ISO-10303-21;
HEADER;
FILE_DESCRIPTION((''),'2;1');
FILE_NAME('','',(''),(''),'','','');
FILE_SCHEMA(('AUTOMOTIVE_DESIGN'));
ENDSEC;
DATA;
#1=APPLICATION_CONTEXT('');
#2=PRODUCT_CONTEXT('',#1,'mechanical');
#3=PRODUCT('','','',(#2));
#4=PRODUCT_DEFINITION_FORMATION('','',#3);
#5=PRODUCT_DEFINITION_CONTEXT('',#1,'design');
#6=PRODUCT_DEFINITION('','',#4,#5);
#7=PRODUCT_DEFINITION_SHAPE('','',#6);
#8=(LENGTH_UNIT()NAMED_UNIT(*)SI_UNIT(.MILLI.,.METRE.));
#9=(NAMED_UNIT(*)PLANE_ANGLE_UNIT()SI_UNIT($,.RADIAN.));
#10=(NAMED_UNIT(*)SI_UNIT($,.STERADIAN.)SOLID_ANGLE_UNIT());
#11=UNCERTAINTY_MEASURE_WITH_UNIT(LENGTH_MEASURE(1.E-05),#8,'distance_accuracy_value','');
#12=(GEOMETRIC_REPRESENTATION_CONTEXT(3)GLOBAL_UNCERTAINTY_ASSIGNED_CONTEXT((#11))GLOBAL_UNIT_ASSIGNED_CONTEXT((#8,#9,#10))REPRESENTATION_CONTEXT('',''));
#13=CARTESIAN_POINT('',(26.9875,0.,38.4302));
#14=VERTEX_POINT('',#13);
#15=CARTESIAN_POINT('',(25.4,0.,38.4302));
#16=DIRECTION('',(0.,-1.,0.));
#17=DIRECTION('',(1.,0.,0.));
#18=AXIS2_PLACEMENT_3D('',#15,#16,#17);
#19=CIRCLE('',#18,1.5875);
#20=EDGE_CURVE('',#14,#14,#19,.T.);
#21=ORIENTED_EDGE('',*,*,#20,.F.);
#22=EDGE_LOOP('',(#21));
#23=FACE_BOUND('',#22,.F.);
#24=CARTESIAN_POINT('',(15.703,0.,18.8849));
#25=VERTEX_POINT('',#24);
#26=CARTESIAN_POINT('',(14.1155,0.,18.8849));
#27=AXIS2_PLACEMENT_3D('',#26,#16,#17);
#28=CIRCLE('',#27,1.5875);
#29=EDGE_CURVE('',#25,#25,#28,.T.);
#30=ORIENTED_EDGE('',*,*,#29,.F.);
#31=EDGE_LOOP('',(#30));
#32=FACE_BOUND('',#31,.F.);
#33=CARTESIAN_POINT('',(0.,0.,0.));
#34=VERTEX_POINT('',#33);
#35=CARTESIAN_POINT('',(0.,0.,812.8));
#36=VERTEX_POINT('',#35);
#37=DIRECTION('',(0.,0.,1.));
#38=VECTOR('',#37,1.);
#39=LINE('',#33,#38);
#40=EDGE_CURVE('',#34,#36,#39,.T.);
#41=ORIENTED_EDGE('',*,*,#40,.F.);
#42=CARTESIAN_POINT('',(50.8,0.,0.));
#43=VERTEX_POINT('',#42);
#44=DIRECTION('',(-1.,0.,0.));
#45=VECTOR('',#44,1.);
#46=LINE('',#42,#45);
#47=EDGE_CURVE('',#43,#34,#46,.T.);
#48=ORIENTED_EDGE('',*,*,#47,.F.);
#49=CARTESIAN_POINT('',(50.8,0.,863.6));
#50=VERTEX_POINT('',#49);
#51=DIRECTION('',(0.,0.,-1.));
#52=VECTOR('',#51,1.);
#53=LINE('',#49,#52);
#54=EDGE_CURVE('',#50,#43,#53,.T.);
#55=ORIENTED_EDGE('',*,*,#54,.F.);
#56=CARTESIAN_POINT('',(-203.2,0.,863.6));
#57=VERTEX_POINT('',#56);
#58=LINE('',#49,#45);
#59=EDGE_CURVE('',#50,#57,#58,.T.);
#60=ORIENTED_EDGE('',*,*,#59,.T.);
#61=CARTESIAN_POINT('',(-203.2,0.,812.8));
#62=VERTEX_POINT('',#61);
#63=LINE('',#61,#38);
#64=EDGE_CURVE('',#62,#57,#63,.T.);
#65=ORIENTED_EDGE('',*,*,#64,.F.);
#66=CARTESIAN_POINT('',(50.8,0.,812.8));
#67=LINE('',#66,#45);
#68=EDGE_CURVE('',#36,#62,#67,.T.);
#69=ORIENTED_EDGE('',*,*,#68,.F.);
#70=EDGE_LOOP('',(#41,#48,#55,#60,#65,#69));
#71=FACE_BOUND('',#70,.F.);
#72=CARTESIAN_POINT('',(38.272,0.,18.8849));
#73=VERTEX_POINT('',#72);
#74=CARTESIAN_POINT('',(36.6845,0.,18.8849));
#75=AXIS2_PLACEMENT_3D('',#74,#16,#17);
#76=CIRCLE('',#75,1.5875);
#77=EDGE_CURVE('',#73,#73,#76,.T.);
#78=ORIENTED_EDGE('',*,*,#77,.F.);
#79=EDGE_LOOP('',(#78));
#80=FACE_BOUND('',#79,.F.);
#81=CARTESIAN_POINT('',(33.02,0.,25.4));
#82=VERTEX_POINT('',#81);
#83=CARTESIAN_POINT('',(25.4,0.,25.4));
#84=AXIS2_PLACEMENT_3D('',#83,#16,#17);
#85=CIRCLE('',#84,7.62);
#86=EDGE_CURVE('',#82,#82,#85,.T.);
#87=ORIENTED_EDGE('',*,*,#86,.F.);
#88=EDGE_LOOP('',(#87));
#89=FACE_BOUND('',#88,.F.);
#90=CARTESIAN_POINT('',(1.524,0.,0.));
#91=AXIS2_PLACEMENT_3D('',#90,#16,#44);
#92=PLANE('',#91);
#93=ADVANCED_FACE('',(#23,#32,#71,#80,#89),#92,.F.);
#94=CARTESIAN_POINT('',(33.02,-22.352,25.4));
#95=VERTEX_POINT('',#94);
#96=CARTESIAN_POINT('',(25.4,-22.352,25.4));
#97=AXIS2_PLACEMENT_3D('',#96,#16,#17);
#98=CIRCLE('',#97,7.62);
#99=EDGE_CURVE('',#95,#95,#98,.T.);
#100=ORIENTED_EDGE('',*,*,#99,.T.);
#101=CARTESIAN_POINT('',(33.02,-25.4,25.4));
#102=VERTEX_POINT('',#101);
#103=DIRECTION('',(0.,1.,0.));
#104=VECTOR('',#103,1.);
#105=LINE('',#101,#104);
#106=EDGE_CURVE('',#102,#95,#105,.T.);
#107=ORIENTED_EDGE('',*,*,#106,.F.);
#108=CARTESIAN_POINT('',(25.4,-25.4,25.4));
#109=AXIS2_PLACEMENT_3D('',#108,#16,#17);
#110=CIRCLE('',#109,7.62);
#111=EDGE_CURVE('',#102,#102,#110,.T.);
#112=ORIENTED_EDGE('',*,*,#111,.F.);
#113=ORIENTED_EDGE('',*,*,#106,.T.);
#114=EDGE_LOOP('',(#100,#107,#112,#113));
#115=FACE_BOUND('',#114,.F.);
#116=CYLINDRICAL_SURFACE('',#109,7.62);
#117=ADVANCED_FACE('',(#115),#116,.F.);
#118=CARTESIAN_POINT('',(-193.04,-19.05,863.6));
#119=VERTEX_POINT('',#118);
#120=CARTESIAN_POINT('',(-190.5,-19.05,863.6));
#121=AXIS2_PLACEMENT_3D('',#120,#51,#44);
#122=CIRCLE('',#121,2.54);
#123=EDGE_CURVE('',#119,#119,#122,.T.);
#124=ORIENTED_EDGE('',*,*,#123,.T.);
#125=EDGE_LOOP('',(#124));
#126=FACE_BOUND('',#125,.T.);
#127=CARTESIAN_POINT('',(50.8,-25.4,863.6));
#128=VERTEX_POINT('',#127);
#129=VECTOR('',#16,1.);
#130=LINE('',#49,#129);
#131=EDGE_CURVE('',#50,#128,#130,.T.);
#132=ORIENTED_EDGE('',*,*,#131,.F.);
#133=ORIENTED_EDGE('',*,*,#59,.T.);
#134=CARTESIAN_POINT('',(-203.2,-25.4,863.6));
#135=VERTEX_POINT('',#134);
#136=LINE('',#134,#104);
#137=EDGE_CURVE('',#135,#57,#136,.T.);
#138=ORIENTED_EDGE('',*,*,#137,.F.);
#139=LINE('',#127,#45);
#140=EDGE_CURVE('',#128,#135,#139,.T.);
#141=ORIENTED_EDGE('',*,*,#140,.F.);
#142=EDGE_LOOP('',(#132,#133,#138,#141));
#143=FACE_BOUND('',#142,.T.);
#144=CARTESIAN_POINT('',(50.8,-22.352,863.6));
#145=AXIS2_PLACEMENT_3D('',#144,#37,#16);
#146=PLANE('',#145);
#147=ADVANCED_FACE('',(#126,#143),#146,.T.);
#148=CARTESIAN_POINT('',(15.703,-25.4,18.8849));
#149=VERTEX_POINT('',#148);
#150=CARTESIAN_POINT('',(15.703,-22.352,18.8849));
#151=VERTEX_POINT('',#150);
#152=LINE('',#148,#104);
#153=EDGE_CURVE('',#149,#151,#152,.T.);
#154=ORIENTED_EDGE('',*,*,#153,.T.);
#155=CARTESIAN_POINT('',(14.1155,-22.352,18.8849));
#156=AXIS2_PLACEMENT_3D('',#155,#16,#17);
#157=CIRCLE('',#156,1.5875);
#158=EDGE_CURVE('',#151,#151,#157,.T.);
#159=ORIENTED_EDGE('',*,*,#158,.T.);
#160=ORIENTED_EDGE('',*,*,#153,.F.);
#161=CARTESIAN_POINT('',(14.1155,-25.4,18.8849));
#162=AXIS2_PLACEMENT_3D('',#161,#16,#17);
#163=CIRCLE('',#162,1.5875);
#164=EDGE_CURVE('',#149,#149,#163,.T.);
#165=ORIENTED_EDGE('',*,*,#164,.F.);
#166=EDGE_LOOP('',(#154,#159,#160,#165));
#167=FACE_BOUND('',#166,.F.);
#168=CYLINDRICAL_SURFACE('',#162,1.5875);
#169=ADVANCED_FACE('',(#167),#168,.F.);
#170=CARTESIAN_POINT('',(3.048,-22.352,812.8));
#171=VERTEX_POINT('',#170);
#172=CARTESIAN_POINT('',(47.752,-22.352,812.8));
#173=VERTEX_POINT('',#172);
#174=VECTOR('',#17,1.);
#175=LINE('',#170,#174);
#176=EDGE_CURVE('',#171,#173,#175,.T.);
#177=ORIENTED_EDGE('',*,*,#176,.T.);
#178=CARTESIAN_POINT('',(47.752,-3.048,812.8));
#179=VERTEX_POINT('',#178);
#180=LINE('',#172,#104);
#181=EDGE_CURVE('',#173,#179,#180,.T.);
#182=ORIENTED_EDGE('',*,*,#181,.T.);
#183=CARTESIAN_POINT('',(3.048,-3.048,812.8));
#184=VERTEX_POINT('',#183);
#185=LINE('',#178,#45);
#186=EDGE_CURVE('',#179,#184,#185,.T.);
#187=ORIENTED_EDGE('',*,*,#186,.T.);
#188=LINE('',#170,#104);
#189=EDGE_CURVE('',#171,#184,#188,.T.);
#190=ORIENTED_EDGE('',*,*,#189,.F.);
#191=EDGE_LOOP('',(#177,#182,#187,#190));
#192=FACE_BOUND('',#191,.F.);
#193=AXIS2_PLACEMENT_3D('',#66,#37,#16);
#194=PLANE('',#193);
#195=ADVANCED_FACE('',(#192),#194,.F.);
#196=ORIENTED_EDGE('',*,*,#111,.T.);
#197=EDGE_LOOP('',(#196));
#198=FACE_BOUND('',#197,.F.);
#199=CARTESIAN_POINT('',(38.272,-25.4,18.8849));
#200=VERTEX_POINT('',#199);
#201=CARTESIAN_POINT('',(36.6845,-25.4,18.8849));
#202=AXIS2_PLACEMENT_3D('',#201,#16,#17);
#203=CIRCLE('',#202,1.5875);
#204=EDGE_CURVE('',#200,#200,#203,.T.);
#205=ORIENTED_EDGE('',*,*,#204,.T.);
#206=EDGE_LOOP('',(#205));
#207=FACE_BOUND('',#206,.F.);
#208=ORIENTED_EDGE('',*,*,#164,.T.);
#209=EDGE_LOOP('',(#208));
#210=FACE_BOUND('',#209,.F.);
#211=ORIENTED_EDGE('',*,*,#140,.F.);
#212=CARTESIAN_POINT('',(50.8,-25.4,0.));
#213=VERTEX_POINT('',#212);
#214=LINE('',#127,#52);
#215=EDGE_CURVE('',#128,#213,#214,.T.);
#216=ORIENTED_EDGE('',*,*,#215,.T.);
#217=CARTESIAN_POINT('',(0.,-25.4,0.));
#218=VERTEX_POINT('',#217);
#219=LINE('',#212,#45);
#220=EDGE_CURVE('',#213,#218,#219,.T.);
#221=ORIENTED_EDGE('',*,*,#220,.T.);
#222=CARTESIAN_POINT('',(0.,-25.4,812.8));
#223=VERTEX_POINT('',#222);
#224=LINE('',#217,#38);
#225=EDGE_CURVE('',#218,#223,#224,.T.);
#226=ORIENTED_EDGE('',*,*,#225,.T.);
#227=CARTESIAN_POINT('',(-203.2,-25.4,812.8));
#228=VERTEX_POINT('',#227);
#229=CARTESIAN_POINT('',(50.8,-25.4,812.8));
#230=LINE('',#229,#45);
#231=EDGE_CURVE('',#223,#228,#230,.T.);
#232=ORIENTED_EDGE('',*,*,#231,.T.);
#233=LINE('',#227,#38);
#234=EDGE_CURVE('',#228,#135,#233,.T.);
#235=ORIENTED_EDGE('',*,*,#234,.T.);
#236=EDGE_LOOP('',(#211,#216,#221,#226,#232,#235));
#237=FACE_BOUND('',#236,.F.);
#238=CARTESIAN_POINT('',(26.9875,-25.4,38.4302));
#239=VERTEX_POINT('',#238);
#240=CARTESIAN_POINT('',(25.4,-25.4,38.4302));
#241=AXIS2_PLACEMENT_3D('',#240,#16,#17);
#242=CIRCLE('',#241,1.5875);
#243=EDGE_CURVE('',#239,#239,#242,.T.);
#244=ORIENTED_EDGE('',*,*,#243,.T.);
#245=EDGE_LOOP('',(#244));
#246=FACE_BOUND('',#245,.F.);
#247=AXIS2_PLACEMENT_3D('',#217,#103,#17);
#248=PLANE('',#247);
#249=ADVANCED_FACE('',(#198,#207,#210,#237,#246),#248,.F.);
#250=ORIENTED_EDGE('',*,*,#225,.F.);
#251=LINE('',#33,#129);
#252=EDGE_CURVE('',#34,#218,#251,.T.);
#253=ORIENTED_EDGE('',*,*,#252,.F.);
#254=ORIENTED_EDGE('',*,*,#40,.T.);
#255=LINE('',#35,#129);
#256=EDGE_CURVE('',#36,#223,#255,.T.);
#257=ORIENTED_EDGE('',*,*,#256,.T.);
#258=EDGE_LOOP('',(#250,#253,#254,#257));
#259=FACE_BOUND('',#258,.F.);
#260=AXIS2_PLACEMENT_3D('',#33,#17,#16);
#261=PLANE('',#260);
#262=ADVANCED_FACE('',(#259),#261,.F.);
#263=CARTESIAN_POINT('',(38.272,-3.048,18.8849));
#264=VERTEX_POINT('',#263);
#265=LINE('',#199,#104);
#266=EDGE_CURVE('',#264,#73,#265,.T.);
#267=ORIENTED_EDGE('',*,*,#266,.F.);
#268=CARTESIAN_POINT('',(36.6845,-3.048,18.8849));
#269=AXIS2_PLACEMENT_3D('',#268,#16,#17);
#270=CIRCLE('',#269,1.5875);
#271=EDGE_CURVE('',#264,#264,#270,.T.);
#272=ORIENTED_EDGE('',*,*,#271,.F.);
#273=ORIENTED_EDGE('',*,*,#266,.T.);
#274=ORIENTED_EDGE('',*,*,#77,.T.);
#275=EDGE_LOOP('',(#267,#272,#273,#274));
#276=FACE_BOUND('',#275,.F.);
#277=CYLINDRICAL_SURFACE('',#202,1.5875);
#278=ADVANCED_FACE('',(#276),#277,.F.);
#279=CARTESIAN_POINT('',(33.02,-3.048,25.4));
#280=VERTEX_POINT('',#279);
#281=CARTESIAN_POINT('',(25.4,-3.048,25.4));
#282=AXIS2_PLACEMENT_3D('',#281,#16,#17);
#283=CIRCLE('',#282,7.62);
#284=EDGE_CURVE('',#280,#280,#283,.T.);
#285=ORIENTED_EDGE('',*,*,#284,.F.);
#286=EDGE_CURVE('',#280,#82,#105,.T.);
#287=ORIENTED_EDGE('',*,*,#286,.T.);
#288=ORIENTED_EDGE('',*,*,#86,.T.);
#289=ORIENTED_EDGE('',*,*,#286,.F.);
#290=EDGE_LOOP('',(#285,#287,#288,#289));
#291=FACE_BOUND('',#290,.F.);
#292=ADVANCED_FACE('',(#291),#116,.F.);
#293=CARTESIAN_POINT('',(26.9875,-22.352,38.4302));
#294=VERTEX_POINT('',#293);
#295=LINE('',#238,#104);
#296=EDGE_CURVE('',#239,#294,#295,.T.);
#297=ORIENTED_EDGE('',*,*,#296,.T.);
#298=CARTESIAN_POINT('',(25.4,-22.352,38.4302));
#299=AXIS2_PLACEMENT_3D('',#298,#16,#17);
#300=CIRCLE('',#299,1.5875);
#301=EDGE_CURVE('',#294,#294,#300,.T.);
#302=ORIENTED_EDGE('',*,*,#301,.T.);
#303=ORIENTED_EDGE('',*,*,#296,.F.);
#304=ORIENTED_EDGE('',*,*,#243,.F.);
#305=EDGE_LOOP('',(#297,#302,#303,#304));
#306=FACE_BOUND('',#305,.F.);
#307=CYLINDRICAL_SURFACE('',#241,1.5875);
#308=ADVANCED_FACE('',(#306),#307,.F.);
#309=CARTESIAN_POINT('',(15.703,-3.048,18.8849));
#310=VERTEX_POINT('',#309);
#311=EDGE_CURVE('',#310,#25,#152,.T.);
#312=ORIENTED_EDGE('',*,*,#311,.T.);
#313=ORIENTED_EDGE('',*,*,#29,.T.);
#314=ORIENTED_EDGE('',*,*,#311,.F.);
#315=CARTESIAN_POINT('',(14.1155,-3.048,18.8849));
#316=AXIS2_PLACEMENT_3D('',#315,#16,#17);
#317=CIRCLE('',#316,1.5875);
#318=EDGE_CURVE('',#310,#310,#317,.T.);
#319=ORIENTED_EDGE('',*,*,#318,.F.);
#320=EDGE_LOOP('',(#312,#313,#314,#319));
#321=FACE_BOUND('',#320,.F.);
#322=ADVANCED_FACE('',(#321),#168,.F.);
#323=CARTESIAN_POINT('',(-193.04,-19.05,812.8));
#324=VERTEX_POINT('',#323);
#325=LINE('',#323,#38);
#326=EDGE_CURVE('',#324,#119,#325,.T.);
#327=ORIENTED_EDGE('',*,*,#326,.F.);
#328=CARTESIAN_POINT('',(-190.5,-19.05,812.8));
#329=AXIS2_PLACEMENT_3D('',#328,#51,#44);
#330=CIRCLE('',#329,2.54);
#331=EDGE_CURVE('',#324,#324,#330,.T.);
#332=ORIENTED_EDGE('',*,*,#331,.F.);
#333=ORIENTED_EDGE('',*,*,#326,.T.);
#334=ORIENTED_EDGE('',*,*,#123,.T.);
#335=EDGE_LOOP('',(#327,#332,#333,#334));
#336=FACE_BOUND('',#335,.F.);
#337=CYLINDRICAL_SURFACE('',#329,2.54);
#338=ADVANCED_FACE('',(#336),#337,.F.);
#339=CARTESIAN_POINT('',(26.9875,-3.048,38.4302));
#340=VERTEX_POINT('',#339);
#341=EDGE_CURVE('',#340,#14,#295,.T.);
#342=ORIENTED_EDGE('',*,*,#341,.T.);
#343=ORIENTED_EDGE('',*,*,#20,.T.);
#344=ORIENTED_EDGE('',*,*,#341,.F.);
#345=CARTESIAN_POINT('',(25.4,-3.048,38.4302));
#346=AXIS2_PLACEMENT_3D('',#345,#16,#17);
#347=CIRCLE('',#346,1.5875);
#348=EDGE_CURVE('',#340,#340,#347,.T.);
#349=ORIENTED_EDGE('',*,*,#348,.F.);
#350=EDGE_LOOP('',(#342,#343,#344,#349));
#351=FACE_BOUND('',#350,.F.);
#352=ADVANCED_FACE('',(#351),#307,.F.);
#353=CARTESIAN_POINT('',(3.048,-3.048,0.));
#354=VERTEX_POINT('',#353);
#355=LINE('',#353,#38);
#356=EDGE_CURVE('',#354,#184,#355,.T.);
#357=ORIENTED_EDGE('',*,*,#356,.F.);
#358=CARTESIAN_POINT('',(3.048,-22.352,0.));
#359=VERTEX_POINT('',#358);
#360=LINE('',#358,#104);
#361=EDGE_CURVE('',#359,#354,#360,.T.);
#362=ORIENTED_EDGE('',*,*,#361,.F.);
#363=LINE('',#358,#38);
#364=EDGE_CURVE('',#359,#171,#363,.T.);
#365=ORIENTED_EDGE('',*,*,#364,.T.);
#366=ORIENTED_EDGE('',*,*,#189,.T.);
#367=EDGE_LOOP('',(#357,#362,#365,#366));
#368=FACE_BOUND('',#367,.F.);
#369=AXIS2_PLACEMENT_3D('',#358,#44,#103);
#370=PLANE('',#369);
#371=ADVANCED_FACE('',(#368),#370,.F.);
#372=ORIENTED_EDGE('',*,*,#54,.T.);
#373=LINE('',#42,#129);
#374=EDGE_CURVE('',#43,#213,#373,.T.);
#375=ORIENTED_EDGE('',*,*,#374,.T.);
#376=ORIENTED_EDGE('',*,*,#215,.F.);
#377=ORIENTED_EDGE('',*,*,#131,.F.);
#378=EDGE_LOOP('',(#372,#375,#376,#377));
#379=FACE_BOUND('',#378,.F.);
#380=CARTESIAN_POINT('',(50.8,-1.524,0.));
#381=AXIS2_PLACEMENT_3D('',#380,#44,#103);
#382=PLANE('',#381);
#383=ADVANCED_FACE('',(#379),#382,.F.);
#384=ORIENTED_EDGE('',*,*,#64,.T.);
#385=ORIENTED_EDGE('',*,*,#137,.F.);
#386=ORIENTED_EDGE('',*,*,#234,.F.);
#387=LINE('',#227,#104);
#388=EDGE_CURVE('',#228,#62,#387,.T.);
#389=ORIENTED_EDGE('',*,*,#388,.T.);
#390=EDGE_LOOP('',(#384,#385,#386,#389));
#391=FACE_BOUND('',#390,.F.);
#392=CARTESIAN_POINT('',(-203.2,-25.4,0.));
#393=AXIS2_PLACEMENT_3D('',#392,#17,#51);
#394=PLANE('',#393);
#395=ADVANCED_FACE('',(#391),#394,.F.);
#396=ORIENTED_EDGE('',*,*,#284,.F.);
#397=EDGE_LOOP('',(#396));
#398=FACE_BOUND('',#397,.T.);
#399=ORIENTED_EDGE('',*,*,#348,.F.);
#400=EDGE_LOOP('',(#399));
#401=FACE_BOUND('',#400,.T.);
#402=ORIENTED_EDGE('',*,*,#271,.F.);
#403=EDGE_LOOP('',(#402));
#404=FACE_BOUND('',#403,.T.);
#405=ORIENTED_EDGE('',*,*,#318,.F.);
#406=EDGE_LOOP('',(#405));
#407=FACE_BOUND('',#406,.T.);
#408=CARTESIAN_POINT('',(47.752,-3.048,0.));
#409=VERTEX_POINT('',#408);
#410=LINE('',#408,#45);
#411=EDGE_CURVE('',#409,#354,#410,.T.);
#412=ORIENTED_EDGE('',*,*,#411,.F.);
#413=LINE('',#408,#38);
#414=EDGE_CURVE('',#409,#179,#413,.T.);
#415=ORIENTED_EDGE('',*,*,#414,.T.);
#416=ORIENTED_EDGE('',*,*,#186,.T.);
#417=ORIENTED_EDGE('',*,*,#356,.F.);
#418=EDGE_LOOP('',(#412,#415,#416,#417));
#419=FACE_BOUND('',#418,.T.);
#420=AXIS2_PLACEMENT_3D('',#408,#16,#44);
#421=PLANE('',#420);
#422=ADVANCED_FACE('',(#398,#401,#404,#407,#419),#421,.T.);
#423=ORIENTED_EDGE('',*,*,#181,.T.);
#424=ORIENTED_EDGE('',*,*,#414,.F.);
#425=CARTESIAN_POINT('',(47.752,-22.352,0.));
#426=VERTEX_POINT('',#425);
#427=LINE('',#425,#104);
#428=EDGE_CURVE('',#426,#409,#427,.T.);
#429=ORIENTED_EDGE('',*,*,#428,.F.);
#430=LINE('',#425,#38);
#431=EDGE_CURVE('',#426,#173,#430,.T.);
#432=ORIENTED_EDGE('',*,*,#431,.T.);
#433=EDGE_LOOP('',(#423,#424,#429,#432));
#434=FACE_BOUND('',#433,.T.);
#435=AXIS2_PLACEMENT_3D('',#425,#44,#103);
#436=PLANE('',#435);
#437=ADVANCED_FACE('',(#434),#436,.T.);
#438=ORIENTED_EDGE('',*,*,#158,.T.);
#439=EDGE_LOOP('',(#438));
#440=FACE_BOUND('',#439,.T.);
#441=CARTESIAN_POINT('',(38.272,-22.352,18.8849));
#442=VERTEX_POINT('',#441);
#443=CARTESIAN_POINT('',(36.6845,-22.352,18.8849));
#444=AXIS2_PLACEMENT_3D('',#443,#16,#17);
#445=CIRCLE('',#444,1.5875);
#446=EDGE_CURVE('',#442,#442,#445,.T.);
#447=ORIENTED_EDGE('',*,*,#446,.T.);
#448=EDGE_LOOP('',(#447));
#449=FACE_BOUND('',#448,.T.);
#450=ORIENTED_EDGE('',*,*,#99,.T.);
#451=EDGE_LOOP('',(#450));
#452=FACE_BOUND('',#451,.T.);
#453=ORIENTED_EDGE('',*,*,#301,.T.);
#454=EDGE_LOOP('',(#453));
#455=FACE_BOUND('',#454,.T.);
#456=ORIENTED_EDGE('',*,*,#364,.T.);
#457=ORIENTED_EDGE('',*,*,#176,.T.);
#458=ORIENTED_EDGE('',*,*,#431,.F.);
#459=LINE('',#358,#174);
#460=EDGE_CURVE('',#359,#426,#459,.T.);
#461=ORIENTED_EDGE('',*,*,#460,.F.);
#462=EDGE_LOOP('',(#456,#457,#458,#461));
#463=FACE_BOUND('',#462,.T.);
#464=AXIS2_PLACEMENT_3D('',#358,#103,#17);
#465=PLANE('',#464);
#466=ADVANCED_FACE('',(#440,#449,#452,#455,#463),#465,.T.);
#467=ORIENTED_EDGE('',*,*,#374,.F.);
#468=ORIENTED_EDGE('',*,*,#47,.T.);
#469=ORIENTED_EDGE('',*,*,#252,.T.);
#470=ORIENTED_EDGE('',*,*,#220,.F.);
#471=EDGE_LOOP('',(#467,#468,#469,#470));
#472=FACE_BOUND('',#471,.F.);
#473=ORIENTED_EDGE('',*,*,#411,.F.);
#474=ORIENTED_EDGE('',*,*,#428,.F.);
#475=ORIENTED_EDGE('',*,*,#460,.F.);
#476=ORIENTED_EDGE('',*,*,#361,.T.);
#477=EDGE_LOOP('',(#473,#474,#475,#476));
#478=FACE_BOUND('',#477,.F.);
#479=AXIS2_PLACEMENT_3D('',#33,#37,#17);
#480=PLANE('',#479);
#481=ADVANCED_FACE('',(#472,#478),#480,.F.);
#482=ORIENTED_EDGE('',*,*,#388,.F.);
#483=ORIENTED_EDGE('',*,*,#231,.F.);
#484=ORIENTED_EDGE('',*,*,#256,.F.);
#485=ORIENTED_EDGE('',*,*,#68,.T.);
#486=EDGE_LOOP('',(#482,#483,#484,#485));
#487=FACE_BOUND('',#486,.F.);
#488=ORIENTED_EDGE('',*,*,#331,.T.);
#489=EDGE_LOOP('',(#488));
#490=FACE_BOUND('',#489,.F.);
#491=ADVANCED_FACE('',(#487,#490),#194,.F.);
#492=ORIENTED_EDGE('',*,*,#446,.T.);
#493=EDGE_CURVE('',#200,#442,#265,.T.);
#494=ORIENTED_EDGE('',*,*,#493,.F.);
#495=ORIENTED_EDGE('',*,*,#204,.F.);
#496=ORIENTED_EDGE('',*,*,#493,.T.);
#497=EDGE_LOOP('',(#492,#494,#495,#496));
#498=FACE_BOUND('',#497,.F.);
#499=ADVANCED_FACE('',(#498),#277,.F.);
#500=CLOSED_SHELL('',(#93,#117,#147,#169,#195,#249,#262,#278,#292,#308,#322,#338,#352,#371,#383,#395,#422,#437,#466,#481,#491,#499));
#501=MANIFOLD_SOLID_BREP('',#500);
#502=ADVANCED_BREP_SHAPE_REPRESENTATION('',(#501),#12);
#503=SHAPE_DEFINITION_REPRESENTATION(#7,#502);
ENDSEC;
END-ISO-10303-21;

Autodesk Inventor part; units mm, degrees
ref_plane "YZ Plane" through (0, 0, 0) normal (1, 0, 0) x (0, 1, 0)
ref_plane "XZ Plane" through (0, 0, 0) normal (0, 1, 0) x (-1, 0, 0)
ref_plane "XY Plane" through (0, 0, 0) normal (0, 0, 1) x (1, 0, 0)
sketch "Sketch1" plane through (0, 0, 0) normal (0, 0, 1) x (1, 0, 0)
  line L0 (0, 0) -> (0, -25.4)
  line L1 (0, -25.4) -> (50.8, -25.4)
  line L2 (50.8, -25.4) -> (50.8, 0)
  line L3 (50.8, 0) -> (0, 0)
  line L4 (0, -25.4) -> (1.524, -25.4)
  line L5 (3.048, -22.352) -> (47.752, -22.352)
  line L6 (50.8, -25.4) -> (23.876, -25.4)
  line L7 (47.752, -22.352) -> (47.752, -3.048)
  line L8 (50.8, 0) -> (50.8, -1.524)
  line L9 (47.752, -3.048) -> (3.048, -3.048)
  line L10 (0, 0) -> (1.524, 0)
  line L11 (3.048, -22.352) -> (3.048, -3.048)
  dimension "d53" = 25.4
  dimension "d54" = 50.8
  dimension "d55" = 3.048
  dimension "d56" = 3.048
  dimension "d57" = 3.048
  dimension "d58" = 3.048
extrude "Extrusion1" add sketch "Sketch1" along normal blind 812.8
sketch "Sketch2" plane through (50.8, -25.4, 0) normal (1, 0, 0) x (0, 0, -1)
  line L0 (-812.8, 25.4) -> (-812.8, 0) projected
  line L1 (-812.8, 25.4) -> (-863.6, 25.4)
  line L2 (-863.6, 25.4) -> (-863.6, 0)
  line L3 (-863.6, 0) -> (-812.8, 0)
  line L4 (0, 0) -> (-812.8, 0) projected
  line L5 (-812.8, 25.4) -> (-812.8, 0)
  line L6 (-812.8, 0) -> (-815.848, 0)
  line L7 (-815.848, 3.048) -> (-815.848, 47.752)
  line L8 (-812.8, 25.4) -> (-812.8, 22.352)
  line L9 (-815.848, 47.752) -> (-860.552, 47.752)
  line L10 (-863.6, 25.4) -> (-860.552, 25.4)
  line L11 (-863.6, 0) -> (-863.6, 3.048)
  line L12 (-860.552, 3.048) -> (-815.848, 3.048)
  line L13 (-860.552, 47.752) -> (-860.552, 3.048)
  point P0 (0, 25.4)
extrude "Extrusion2" add sketch "Sketch2" against normal blind 254 contours L0 L3 L2 L1 L13 L12 L7 | L7 L12 L13 L1
sketch "Sketch3" plane through (0, -25.4, 0) normal (0, -1, 0) x (1, 0, 0)
  line L0 (0, 0) -> (50.8, 0) projected
  line L1 (50.8, 0) -> (0, 0)
  circle A0 centre (25.4, 25.4) radius 7.62
  circle A1 centre (25.4, 38.4302) radius 1.5875
  circle A2 centre (14.1155, 18.8849) radius 1.5875
  circle A3 centre (36.6845, 18.8849) radius 1.5875
  dimension "d23" = 360
extrude "Extrusion3" cut sketch "Sketch3" against normal blind 254
sketch "Sketch12" plane through (0, -25.4, 812.8) normal (0, 0, -1) x (-1, 0, 0)
  circle A0 centre (190.5, 6.35) radius 2.54
  line L0 (0, 25.4) -> (203.2, 25.4) projected
  line L1 (203.2, 25.4) -> (203.2, 0) projected
  dimension "d70" = 5.08
  dimension "d71" = 19.05
  dimension "d72" = 12.7
extrude "Extrusion10" cut sketch "Sketch12" against normal through all
sketch "Sketch13" plane through (0, -25.4, 0) normal (0, -1, 0) x (1, 0, 0)
  line L0 (50.8, 431.7892) -> (3.048, 431.7892)
  line L1 (0, 431.7892) -> (50.8, 431.7892)
  line L2 (50.8, 431.7892) -> (50.8, 457.1892)
  line L3 (50.8, 457.1892) -> (0, 457.1892)
  line L4 (0, 457.1892) -> (0, 431.7892)
  point P0 (50.8, 0)
sketch "Sketch14" plane through (0, 0, 0) normal (0, 1, 0) x (1, 0, 0)
  line L0 (50.8, -431.8) -> (0, -431.8)
  line L1 (50.8, -431.8) -> (50.8, -457.2)
  line L2 (50.8, -457.2) -> (0, -457.2)
  line L3 (0, -457.2) -> (0, -431.8)
  dimension "d78" = 25.4
properties part number "arm2v2" material "Aluminum 6061"
